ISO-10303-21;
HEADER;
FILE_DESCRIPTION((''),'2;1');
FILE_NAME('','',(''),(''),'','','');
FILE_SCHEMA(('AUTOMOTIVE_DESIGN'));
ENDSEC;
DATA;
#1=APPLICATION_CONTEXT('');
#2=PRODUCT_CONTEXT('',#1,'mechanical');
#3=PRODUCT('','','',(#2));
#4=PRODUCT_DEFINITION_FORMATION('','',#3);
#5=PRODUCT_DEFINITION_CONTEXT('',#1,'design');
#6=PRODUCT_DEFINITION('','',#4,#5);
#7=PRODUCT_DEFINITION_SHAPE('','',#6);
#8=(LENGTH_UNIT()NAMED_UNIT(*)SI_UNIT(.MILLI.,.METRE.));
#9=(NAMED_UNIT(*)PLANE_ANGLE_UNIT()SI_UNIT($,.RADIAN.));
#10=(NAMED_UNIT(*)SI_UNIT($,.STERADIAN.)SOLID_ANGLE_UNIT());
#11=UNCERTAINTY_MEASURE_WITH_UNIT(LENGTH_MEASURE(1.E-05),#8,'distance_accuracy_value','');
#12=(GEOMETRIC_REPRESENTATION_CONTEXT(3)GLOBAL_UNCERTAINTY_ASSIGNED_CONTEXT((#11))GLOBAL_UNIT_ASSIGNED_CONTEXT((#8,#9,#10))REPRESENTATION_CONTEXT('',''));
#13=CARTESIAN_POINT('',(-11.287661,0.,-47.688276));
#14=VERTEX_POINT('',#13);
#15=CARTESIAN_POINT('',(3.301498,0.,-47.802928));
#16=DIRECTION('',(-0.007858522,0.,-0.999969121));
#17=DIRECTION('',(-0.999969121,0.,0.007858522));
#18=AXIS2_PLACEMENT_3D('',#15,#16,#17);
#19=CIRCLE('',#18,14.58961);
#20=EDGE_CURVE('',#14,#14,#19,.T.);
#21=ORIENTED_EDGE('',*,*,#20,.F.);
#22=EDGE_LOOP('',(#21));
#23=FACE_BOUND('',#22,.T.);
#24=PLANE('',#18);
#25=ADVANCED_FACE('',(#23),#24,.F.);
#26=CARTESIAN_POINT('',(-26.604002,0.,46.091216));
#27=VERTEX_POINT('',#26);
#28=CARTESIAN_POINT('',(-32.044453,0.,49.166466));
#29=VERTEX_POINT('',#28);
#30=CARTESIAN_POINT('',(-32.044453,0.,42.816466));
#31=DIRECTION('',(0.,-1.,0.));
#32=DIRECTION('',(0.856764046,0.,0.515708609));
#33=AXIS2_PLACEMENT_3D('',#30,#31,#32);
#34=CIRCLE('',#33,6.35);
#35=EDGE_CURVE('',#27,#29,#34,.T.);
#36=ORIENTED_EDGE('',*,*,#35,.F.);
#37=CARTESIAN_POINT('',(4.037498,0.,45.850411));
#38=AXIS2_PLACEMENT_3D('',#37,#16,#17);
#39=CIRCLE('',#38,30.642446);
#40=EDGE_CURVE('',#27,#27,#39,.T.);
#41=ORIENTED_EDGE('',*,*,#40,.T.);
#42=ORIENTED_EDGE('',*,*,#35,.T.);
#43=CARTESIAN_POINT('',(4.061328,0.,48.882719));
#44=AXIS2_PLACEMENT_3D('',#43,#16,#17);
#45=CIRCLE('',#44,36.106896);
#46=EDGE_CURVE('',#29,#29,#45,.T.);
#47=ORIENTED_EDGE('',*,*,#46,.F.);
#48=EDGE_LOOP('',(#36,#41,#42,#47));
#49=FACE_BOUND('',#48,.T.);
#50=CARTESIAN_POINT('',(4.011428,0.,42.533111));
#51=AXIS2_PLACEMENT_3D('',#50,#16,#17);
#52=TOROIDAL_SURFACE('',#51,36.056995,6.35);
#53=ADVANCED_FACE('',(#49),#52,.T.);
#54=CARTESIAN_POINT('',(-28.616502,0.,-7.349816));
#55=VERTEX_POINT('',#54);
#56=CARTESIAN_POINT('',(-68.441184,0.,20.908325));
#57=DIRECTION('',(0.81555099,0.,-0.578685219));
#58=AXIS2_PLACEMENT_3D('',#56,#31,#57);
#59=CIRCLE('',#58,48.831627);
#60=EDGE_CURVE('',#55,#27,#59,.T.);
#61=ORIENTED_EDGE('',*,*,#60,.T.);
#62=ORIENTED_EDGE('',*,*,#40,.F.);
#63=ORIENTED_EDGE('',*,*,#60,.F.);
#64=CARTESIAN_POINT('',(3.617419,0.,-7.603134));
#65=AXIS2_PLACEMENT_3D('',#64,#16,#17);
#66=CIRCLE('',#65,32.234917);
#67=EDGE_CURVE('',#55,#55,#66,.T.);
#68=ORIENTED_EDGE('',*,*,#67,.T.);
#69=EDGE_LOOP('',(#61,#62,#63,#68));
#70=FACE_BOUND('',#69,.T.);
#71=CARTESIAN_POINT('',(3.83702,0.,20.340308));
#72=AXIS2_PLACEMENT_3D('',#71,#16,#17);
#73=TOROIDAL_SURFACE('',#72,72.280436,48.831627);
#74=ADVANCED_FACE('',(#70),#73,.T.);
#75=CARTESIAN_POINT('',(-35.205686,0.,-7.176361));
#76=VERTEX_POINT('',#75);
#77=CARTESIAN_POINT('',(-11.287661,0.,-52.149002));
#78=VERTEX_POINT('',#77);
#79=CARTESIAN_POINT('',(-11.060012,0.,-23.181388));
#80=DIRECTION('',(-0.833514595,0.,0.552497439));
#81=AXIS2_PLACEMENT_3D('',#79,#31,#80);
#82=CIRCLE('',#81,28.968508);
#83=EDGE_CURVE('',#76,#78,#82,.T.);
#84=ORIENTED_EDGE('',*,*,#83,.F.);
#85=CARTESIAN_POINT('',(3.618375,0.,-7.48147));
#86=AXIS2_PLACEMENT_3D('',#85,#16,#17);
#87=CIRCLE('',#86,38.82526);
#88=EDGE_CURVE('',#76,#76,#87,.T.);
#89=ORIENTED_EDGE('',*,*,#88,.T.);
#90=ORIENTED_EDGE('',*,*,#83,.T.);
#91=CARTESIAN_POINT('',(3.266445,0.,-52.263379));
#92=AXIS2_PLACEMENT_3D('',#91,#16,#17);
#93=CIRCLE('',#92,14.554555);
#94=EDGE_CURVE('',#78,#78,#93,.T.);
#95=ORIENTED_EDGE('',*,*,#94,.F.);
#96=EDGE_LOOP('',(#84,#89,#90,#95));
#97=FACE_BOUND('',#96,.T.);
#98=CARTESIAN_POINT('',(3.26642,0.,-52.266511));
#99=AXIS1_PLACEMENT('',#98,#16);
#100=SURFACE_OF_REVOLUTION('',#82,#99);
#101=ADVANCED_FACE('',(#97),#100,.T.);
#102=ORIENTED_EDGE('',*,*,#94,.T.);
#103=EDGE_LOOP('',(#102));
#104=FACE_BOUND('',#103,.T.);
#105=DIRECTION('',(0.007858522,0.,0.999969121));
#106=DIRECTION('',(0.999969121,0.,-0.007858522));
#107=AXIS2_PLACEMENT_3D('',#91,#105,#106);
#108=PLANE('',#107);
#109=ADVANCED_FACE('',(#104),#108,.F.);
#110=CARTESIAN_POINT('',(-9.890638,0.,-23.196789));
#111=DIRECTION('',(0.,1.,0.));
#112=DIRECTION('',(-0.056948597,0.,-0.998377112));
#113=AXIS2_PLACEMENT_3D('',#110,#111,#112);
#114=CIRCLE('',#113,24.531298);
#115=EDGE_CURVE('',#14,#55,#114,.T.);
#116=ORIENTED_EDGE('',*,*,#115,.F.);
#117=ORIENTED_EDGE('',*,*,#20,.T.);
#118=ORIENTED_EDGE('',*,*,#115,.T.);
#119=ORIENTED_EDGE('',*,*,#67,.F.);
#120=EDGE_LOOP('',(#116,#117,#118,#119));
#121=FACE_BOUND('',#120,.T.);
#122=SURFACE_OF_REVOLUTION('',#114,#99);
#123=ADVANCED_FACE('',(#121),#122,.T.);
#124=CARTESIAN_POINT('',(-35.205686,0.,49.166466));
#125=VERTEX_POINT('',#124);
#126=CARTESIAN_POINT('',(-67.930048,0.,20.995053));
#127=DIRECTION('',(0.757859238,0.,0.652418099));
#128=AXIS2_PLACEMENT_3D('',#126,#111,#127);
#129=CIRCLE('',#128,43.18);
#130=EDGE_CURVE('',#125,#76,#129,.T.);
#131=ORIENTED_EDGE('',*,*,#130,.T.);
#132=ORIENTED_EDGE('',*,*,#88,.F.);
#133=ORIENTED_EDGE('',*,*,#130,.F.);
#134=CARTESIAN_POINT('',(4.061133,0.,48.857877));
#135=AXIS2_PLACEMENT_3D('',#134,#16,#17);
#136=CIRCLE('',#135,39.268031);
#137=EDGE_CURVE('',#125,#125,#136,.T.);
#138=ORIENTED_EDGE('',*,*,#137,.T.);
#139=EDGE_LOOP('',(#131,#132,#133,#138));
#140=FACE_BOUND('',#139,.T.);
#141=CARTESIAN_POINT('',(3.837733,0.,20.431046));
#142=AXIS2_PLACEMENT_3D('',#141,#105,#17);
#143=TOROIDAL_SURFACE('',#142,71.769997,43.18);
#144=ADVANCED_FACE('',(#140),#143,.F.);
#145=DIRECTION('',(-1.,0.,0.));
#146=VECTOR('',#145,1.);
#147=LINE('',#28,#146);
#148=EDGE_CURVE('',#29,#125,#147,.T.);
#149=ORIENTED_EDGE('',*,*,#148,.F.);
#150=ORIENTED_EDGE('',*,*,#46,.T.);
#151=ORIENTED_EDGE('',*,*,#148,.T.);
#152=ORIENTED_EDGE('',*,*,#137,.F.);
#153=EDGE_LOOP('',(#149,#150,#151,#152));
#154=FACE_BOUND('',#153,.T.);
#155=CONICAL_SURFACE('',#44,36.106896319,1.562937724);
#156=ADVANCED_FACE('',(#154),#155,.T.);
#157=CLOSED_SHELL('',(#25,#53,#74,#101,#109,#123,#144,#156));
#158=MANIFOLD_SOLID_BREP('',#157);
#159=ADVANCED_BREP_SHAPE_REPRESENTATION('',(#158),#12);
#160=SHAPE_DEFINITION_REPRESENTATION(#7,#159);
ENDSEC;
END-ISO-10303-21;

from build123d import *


with BuildPart() as f1:
    # F0 (on Front) → F1 (revolve)
    with BuildSketch(Plane.XZ):
        with BuildLine():
            Line((-32.0444534488, 49.1664660495), (-35.2056861062, 49.1664660495))
            ThreePointArc((-35.2056861062, 49.1664660495), (-24.7500479853, 20.9950525314), (-35.2056861062, -7.1763609868))
            ThreePointArc((-35.2056861062, -7.1763609868), (-36.6363548086, -36.7837824749), (-11.2876612693, -52.149001509))
            Line((-11.2876612693, -52.149001509), (3.2664445462, -52.2633788024))
            Line((3.2664445462, -52.2633788024), (3.3014981769, -47.8029283473))
            Line((3.3014981769, -47.8029283473), (-11.2876612693, -47.6882755756))
            ThreePointArc((-11.2876612693, -47.6882755756), (-32.4301698315, -32.8794586177), (-28.6165023388, -7.3498156853))
            ThreePointArc((-28.6165023388, -7.3498156853), (-19.6441455683, 19.0707096621), (-26.6040017569, 46.0912157174))
            ThreePointArc((-26.6040017569, 46.0912157174), (-28.919726292, 48.3444476157), (-32.0444534488, 49.1664660495))
        make_face()
    revolve(axis=Axis((3.2664199313, 0, -52.2665109653), (-0.0078585221, 0, -0.9999691213)))


solid = f1.part
